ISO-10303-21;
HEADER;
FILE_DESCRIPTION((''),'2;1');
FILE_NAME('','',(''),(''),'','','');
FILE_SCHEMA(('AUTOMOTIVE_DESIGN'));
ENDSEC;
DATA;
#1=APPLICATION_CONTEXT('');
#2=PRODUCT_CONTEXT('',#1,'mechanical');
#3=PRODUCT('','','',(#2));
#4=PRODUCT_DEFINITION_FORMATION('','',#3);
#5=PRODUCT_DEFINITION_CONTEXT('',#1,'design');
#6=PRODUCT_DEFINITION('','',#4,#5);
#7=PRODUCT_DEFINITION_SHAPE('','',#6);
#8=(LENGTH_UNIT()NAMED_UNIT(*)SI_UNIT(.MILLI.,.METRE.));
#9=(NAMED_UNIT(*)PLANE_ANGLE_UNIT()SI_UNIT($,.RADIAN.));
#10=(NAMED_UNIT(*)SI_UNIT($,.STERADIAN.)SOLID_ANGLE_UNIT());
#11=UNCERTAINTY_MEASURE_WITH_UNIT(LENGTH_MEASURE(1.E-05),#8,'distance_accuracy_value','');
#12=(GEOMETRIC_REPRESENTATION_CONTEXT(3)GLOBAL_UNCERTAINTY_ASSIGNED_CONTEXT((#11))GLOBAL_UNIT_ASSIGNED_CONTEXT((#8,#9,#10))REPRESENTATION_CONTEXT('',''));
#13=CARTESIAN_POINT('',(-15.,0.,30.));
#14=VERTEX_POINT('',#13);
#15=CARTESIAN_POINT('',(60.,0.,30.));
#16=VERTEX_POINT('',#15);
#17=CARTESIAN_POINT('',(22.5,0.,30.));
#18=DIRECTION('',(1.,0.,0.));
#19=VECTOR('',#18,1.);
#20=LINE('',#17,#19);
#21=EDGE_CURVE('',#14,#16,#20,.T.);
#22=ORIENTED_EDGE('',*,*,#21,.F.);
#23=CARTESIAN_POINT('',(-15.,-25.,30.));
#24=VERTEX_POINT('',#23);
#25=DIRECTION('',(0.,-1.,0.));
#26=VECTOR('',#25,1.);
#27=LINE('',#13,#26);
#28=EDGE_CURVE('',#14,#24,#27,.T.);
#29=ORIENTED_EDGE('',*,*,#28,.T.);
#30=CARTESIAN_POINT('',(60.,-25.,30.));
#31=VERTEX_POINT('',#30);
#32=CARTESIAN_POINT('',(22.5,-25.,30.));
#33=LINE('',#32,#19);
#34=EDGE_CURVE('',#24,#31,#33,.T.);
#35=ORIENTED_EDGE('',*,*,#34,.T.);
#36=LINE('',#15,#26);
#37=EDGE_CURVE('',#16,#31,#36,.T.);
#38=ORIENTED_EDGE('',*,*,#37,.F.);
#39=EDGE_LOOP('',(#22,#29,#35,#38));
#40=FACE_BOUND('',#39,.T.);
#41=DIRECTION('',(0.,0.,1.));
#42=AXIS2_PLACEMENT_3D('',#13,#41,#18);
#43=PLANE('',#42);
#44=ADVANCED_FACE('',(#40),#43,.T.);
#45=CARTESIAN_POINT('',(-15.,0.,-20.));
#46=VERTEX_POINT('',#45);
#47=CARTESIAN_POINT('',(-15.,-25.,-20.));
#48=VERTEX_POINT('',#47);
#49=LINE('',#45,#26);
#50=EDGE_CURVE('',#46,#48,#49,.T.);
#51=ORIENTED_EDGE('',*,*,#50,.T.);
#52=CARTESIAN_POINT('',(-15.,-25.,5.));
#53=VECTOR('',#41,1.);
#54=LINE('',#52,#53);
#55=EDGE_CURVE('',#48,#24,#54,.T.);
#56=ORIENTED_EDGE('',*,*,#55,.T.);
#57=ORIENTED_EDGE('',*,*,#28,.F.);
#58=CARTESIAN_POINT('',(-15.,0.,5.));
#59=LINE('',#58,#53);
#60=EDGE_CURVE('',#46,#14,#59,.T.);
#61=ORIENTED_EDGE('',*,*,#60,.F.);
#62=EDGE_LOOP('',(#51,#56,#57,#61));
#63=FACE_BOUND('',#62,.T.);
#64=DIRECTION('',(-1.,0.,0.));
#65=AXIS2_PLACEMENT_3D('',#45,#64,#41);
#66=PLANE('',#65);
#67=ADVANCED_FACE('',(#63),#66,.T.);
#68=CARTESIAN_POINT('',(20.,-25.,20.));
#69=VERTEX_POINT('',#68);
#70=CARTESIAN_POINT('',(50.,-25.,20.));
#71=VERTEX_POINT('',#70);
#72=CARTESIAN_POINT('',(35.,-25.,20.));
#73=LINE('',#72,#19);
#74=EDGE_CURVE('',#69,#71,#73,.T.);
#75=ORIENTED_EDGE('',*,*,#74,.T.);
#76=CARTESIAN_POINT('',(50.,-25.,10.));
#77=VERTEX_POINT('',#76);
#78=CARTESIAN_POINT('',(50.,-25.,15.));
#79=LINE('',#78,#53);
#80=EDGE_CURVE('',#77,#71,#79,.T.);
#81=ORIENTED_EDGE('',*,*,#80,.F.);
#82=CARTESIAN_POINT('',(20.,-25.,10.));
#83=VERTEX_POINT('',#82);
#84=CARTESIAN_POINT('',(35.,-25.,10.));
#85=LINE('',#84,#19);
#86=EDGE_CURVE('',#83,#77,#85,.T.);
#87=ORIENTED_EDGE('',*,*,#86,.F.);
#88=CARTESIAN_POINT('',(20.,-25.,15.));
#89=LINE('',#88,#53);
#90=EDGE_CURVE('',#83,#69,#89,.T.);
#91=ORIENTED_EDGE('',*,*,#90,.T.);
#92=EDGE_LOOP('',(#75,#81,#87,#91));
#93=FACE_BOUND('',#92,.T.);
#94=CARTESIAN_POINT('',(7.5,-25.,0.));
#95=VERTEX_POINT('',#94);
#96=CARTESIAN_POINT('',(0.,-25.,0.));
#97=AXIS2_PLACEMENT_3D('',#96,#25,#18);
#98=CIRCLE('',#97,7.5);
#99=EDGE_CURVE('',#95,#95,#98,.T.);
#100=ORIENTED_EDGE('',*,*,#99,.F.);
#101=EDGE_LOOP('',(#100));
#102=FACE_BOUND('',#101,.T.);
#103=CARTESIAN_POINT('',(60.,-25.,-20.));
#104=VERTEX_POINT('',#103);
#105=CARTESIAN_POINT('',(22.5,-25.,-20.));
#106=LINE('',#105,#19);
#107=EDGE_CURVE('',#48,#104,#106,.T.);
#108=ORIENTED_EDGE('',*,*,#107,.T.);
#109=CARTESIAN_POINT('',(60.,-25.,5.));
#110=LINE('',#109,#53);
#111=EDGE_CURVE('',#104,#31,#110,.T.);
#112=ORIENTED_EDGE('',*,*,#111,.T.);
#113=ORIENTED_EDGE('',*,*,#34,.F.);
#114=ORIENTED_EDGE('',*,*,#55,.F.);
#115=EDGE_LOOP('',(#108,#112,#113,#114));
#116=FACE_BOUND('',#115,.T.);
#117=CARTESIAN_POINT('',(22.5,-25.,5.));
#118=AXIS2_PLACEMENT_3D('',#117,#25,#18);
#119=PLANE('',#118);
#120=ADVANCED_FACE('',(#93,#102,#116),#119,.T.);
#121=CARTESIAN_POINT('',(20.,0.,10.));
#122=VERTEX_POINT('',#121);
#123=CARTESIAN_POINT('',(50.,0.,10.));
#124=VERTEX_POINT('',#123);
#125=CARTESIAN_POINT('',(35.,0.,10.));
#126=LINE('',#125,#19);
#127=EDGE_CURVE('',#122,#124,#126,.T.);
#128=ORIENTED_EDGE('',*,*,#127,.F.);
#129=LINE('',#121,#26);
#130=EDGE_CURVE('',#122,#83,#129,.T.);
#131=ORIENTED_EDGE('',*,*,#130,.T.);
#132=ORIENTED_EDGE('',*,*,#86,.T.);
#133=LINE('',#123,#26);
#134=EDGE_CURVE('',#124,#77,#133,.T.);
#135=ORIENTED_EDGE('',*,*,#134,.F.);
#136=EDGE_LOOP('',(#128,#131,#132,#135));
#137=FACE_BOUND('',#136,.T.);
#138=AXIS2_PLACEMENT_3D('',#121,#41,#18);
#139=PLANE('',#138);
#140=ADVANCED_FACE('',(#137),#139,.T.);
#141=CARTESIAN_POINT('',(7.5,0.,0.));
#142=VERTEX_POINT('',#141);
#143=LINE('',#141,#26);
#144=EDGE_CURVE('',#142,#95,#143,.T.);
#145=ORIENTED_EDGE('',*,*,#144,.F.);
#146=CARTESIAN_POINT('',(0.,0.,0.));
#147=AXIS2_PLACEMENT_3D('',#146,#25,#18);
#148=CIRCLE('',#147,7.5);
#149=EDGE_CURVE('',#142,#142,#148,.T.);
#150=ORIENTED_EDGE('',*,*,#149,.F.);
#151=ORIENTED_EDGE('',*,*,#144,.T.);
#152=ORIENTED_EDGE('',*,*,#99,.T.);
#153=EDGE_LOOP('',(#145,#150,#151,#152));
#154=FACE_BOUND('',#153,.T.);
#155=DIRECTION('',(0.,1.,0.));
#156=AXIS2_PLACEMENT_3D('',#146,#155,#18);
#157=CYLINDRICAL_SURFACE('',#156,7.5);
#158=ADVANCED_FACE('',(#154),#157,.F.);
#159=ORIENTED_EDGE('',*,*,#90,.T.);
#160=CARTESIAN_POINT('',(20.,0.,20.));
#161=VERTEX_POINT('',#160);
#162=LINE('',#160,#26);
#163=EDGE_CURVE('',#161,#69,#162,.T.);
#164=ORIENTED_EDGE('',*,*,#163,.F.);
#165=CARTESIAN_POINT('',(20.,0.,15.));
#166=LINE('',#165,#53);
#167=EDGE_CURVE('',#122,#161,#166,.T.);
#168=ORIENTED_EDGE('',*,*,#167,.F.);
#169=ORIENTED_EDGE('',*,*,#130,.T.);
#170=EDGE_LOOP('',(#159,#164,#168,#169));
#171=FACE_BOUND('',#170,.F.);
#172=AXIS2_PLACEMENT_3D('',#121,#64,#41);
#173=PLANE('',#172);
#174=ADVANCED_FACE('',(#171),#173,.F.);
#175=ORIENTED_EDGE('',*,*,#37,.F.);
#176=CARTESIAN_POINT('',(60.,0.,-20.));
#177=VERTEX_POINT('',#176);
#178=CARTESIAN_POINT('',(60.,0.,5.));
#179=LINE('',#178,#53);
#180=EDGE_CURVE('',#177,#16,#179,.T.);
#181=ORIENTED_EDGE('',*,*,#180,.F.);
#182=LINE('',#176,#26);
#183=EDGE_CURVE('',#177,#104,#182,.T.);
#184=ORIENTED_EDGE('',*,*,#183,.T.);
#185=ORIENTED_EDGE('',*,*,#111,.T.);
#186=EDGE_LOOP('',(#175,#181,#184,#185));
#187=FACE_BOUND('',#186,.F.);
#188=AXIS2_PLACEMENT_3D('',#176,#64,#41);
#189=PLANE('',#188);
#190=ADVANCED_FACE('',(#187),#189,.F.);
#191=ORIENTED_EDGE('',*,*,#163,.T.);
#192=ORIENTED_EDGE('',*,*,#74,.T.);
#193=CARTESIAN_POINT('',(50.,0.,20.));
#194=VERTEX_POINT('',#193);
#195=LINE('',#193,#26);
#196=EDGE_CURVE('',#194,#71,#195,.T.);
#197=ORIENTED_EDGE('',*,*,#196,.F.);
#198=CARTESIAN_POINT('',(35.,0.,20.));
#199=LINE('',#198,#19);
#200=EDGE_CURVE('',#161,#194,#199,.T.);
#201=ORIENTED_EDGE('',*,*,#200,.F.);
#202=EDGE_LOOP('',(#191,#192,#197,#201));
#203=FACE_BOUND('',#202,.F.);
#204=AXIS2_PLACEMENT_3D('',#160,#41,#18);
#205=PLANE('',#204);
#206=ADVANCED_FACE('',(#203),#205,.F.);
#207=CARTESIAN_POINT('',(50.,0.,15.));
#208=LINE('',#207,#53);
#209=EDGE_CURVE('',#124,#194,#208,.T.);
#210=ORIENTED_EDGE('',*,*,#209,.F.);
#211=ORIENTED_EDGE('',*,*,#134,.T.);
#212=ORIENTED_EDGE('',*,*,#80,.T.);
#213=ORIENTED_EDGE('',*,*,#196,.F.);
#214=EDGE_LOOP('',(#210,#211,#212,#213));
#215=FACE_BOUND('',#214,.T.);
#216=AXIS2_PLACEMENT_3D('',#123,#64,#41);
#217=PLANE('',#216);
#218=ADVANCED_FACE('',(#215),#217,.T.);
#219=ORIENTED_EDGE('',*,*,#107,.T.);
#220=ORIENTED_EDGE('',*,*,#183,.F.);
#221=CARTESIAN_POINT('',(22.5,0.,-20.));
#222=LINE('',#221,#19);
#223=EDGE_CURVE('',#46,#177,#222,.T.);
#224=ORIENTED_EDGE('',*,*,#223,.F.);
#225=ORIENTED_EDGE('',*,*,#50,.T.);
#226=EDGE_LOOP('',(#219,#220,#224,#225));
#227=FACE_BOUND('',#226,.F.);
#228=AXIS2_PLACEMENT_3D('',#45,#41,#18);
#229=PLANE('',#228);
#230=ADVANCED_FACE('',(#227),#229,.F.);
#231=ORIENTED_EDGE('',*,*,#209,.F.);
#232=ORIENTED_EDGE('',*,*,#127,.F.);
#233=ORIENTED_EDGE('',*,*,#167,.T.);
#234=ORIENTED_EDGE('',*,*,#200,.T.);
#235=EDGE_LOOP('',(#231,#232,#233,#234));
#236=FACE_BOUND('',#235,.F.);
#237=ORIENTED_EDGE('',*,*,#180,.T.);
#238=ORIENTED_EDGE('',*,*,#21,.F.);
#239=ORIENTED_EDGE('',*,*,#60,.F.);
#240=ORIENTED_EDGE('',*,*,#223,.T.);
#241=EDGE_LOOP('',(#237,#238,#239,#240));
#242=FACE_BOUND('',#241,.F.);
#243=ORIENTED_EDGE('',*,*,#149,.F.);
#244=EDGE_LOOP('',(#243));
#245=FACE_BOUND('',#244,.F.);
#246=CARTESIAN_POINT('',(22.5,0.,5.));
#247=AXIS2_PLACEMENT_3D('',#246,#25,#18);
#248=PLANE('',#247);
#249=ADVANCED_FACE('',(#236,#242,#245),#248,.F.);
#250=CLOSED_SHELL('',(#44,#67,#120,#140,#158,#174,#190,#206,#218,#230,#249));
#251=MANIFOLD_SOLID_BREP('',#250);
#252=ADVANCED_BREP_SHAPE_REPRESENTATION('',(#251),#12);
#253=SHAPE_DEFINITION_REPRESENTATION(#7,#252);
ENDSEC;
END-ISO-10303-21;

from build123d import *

# Parameters (mm, degrees)
F0_W     = 75
F0_H     = 50
F0_R     = 7.5
F0_W_2   = 30
F0_H_2   = 10
F1_DEPTH = 25


with BuildPart() as f1:
    # F0 (on Front) → F1 (new body)
    with BuildSketch(Plane.XZ):
        with Locations((22.5, 5)):
            Rectangle(F0_W, F0_H)
        Circle(F0_R, mode=Mode.SUBTRACT)
        with Locations((35, 15)):
            Rectangle(F0_W_2, F0_H_2, mode=Mode.SUBTRACT)
    extrude(amount=F1_DEPTH)


solid = f1.part
